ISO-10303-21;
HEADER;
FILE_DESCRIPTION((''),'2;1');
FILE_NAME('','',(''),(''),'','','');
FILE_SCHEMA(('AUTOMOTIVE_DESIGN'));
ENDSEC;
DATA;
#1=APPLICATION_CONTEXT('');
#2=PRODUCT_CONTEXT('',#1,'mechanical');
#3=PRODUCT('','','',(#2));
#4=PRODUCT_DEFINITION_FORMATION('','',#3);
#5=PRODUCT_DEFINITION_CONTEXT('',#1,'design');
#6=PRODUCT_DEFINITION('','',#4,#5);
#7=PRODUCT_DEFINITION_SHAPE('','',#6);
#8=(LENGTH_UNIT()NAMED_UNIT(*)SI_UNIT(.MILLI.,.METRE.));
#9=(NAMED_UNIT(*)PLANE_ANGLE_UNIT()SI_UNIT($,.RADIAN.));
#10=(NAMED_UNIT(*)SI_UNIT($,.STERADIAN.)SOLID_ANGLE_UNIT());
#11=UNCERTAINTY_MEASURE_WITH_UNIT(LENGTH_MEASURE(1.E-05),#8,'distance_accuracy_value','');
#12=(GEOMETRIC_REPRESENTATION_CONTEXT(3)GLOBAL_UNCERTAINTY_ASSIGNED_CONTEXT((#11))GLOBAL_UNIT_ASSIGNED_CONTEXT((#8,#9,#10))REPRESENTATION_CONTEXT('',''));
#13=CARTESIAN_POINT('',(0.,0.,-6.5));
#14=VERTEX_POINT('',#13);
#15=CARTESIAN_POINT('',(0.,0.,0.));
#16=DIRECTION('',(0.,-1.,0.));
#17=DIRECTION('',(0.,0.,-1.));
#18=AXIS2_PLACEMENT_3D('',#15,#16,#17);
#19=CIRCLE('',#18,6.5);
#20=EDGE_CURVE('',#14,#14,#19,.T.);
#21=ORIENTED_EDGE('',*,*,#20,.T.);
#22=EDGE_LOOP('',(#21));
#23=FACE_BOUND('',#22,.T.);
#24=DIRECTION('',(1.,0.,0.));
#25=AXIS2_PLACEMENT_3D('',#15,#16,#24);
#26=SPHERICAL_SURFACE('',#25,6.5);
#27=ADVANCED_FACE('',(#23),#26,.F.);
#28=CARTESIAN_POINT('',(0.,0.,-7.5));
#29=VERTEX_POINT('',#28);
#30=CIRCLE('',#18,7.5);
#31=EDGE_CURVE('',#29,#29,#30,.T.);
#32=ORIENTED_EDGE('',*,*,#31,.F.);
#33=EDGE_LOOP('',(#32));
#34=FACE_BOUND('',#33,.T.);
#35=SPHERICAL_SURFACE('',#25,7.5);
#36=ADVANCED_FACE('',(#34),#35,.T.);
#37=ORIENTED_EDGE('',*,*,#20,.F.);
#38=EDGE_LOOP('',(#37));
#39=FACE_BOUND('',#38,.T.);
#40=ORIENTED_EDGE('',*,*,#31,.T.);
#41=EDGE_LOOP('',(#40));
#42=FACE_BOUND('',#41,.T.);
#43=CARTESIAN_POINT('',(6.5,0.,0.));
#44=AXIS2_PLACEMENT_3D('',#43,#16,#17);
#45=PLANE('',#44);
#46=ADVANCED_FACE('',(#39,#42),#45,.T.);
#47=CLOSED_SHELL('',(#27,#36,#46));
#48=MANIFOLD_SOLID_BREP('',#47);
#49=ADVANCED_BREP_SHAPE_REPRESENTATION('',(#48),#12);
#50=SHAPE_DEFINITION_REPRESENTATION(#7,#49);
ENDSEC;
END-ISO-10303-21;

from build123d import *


with BuildPart() as part:
    # Sketch1 → Revolve1 (revolve)
    with BuildSketch(Plane.XY):
        with BuildLine():
            Line((0, 7.5), (0, 6.5))
            ThreePointArc((0, 6.5), (4.596194078, 4.596194078), (6.5, 0))
            Line((6.5, 0), (7.5, 0))
            ThreePointArc((7.5, 0), (5.303300859, 5.303300859), (0, 7.5))
        make_face()
    revolve(axis=Axis((0, 0, 0), (0, 1, 0)))


solid = part.part
